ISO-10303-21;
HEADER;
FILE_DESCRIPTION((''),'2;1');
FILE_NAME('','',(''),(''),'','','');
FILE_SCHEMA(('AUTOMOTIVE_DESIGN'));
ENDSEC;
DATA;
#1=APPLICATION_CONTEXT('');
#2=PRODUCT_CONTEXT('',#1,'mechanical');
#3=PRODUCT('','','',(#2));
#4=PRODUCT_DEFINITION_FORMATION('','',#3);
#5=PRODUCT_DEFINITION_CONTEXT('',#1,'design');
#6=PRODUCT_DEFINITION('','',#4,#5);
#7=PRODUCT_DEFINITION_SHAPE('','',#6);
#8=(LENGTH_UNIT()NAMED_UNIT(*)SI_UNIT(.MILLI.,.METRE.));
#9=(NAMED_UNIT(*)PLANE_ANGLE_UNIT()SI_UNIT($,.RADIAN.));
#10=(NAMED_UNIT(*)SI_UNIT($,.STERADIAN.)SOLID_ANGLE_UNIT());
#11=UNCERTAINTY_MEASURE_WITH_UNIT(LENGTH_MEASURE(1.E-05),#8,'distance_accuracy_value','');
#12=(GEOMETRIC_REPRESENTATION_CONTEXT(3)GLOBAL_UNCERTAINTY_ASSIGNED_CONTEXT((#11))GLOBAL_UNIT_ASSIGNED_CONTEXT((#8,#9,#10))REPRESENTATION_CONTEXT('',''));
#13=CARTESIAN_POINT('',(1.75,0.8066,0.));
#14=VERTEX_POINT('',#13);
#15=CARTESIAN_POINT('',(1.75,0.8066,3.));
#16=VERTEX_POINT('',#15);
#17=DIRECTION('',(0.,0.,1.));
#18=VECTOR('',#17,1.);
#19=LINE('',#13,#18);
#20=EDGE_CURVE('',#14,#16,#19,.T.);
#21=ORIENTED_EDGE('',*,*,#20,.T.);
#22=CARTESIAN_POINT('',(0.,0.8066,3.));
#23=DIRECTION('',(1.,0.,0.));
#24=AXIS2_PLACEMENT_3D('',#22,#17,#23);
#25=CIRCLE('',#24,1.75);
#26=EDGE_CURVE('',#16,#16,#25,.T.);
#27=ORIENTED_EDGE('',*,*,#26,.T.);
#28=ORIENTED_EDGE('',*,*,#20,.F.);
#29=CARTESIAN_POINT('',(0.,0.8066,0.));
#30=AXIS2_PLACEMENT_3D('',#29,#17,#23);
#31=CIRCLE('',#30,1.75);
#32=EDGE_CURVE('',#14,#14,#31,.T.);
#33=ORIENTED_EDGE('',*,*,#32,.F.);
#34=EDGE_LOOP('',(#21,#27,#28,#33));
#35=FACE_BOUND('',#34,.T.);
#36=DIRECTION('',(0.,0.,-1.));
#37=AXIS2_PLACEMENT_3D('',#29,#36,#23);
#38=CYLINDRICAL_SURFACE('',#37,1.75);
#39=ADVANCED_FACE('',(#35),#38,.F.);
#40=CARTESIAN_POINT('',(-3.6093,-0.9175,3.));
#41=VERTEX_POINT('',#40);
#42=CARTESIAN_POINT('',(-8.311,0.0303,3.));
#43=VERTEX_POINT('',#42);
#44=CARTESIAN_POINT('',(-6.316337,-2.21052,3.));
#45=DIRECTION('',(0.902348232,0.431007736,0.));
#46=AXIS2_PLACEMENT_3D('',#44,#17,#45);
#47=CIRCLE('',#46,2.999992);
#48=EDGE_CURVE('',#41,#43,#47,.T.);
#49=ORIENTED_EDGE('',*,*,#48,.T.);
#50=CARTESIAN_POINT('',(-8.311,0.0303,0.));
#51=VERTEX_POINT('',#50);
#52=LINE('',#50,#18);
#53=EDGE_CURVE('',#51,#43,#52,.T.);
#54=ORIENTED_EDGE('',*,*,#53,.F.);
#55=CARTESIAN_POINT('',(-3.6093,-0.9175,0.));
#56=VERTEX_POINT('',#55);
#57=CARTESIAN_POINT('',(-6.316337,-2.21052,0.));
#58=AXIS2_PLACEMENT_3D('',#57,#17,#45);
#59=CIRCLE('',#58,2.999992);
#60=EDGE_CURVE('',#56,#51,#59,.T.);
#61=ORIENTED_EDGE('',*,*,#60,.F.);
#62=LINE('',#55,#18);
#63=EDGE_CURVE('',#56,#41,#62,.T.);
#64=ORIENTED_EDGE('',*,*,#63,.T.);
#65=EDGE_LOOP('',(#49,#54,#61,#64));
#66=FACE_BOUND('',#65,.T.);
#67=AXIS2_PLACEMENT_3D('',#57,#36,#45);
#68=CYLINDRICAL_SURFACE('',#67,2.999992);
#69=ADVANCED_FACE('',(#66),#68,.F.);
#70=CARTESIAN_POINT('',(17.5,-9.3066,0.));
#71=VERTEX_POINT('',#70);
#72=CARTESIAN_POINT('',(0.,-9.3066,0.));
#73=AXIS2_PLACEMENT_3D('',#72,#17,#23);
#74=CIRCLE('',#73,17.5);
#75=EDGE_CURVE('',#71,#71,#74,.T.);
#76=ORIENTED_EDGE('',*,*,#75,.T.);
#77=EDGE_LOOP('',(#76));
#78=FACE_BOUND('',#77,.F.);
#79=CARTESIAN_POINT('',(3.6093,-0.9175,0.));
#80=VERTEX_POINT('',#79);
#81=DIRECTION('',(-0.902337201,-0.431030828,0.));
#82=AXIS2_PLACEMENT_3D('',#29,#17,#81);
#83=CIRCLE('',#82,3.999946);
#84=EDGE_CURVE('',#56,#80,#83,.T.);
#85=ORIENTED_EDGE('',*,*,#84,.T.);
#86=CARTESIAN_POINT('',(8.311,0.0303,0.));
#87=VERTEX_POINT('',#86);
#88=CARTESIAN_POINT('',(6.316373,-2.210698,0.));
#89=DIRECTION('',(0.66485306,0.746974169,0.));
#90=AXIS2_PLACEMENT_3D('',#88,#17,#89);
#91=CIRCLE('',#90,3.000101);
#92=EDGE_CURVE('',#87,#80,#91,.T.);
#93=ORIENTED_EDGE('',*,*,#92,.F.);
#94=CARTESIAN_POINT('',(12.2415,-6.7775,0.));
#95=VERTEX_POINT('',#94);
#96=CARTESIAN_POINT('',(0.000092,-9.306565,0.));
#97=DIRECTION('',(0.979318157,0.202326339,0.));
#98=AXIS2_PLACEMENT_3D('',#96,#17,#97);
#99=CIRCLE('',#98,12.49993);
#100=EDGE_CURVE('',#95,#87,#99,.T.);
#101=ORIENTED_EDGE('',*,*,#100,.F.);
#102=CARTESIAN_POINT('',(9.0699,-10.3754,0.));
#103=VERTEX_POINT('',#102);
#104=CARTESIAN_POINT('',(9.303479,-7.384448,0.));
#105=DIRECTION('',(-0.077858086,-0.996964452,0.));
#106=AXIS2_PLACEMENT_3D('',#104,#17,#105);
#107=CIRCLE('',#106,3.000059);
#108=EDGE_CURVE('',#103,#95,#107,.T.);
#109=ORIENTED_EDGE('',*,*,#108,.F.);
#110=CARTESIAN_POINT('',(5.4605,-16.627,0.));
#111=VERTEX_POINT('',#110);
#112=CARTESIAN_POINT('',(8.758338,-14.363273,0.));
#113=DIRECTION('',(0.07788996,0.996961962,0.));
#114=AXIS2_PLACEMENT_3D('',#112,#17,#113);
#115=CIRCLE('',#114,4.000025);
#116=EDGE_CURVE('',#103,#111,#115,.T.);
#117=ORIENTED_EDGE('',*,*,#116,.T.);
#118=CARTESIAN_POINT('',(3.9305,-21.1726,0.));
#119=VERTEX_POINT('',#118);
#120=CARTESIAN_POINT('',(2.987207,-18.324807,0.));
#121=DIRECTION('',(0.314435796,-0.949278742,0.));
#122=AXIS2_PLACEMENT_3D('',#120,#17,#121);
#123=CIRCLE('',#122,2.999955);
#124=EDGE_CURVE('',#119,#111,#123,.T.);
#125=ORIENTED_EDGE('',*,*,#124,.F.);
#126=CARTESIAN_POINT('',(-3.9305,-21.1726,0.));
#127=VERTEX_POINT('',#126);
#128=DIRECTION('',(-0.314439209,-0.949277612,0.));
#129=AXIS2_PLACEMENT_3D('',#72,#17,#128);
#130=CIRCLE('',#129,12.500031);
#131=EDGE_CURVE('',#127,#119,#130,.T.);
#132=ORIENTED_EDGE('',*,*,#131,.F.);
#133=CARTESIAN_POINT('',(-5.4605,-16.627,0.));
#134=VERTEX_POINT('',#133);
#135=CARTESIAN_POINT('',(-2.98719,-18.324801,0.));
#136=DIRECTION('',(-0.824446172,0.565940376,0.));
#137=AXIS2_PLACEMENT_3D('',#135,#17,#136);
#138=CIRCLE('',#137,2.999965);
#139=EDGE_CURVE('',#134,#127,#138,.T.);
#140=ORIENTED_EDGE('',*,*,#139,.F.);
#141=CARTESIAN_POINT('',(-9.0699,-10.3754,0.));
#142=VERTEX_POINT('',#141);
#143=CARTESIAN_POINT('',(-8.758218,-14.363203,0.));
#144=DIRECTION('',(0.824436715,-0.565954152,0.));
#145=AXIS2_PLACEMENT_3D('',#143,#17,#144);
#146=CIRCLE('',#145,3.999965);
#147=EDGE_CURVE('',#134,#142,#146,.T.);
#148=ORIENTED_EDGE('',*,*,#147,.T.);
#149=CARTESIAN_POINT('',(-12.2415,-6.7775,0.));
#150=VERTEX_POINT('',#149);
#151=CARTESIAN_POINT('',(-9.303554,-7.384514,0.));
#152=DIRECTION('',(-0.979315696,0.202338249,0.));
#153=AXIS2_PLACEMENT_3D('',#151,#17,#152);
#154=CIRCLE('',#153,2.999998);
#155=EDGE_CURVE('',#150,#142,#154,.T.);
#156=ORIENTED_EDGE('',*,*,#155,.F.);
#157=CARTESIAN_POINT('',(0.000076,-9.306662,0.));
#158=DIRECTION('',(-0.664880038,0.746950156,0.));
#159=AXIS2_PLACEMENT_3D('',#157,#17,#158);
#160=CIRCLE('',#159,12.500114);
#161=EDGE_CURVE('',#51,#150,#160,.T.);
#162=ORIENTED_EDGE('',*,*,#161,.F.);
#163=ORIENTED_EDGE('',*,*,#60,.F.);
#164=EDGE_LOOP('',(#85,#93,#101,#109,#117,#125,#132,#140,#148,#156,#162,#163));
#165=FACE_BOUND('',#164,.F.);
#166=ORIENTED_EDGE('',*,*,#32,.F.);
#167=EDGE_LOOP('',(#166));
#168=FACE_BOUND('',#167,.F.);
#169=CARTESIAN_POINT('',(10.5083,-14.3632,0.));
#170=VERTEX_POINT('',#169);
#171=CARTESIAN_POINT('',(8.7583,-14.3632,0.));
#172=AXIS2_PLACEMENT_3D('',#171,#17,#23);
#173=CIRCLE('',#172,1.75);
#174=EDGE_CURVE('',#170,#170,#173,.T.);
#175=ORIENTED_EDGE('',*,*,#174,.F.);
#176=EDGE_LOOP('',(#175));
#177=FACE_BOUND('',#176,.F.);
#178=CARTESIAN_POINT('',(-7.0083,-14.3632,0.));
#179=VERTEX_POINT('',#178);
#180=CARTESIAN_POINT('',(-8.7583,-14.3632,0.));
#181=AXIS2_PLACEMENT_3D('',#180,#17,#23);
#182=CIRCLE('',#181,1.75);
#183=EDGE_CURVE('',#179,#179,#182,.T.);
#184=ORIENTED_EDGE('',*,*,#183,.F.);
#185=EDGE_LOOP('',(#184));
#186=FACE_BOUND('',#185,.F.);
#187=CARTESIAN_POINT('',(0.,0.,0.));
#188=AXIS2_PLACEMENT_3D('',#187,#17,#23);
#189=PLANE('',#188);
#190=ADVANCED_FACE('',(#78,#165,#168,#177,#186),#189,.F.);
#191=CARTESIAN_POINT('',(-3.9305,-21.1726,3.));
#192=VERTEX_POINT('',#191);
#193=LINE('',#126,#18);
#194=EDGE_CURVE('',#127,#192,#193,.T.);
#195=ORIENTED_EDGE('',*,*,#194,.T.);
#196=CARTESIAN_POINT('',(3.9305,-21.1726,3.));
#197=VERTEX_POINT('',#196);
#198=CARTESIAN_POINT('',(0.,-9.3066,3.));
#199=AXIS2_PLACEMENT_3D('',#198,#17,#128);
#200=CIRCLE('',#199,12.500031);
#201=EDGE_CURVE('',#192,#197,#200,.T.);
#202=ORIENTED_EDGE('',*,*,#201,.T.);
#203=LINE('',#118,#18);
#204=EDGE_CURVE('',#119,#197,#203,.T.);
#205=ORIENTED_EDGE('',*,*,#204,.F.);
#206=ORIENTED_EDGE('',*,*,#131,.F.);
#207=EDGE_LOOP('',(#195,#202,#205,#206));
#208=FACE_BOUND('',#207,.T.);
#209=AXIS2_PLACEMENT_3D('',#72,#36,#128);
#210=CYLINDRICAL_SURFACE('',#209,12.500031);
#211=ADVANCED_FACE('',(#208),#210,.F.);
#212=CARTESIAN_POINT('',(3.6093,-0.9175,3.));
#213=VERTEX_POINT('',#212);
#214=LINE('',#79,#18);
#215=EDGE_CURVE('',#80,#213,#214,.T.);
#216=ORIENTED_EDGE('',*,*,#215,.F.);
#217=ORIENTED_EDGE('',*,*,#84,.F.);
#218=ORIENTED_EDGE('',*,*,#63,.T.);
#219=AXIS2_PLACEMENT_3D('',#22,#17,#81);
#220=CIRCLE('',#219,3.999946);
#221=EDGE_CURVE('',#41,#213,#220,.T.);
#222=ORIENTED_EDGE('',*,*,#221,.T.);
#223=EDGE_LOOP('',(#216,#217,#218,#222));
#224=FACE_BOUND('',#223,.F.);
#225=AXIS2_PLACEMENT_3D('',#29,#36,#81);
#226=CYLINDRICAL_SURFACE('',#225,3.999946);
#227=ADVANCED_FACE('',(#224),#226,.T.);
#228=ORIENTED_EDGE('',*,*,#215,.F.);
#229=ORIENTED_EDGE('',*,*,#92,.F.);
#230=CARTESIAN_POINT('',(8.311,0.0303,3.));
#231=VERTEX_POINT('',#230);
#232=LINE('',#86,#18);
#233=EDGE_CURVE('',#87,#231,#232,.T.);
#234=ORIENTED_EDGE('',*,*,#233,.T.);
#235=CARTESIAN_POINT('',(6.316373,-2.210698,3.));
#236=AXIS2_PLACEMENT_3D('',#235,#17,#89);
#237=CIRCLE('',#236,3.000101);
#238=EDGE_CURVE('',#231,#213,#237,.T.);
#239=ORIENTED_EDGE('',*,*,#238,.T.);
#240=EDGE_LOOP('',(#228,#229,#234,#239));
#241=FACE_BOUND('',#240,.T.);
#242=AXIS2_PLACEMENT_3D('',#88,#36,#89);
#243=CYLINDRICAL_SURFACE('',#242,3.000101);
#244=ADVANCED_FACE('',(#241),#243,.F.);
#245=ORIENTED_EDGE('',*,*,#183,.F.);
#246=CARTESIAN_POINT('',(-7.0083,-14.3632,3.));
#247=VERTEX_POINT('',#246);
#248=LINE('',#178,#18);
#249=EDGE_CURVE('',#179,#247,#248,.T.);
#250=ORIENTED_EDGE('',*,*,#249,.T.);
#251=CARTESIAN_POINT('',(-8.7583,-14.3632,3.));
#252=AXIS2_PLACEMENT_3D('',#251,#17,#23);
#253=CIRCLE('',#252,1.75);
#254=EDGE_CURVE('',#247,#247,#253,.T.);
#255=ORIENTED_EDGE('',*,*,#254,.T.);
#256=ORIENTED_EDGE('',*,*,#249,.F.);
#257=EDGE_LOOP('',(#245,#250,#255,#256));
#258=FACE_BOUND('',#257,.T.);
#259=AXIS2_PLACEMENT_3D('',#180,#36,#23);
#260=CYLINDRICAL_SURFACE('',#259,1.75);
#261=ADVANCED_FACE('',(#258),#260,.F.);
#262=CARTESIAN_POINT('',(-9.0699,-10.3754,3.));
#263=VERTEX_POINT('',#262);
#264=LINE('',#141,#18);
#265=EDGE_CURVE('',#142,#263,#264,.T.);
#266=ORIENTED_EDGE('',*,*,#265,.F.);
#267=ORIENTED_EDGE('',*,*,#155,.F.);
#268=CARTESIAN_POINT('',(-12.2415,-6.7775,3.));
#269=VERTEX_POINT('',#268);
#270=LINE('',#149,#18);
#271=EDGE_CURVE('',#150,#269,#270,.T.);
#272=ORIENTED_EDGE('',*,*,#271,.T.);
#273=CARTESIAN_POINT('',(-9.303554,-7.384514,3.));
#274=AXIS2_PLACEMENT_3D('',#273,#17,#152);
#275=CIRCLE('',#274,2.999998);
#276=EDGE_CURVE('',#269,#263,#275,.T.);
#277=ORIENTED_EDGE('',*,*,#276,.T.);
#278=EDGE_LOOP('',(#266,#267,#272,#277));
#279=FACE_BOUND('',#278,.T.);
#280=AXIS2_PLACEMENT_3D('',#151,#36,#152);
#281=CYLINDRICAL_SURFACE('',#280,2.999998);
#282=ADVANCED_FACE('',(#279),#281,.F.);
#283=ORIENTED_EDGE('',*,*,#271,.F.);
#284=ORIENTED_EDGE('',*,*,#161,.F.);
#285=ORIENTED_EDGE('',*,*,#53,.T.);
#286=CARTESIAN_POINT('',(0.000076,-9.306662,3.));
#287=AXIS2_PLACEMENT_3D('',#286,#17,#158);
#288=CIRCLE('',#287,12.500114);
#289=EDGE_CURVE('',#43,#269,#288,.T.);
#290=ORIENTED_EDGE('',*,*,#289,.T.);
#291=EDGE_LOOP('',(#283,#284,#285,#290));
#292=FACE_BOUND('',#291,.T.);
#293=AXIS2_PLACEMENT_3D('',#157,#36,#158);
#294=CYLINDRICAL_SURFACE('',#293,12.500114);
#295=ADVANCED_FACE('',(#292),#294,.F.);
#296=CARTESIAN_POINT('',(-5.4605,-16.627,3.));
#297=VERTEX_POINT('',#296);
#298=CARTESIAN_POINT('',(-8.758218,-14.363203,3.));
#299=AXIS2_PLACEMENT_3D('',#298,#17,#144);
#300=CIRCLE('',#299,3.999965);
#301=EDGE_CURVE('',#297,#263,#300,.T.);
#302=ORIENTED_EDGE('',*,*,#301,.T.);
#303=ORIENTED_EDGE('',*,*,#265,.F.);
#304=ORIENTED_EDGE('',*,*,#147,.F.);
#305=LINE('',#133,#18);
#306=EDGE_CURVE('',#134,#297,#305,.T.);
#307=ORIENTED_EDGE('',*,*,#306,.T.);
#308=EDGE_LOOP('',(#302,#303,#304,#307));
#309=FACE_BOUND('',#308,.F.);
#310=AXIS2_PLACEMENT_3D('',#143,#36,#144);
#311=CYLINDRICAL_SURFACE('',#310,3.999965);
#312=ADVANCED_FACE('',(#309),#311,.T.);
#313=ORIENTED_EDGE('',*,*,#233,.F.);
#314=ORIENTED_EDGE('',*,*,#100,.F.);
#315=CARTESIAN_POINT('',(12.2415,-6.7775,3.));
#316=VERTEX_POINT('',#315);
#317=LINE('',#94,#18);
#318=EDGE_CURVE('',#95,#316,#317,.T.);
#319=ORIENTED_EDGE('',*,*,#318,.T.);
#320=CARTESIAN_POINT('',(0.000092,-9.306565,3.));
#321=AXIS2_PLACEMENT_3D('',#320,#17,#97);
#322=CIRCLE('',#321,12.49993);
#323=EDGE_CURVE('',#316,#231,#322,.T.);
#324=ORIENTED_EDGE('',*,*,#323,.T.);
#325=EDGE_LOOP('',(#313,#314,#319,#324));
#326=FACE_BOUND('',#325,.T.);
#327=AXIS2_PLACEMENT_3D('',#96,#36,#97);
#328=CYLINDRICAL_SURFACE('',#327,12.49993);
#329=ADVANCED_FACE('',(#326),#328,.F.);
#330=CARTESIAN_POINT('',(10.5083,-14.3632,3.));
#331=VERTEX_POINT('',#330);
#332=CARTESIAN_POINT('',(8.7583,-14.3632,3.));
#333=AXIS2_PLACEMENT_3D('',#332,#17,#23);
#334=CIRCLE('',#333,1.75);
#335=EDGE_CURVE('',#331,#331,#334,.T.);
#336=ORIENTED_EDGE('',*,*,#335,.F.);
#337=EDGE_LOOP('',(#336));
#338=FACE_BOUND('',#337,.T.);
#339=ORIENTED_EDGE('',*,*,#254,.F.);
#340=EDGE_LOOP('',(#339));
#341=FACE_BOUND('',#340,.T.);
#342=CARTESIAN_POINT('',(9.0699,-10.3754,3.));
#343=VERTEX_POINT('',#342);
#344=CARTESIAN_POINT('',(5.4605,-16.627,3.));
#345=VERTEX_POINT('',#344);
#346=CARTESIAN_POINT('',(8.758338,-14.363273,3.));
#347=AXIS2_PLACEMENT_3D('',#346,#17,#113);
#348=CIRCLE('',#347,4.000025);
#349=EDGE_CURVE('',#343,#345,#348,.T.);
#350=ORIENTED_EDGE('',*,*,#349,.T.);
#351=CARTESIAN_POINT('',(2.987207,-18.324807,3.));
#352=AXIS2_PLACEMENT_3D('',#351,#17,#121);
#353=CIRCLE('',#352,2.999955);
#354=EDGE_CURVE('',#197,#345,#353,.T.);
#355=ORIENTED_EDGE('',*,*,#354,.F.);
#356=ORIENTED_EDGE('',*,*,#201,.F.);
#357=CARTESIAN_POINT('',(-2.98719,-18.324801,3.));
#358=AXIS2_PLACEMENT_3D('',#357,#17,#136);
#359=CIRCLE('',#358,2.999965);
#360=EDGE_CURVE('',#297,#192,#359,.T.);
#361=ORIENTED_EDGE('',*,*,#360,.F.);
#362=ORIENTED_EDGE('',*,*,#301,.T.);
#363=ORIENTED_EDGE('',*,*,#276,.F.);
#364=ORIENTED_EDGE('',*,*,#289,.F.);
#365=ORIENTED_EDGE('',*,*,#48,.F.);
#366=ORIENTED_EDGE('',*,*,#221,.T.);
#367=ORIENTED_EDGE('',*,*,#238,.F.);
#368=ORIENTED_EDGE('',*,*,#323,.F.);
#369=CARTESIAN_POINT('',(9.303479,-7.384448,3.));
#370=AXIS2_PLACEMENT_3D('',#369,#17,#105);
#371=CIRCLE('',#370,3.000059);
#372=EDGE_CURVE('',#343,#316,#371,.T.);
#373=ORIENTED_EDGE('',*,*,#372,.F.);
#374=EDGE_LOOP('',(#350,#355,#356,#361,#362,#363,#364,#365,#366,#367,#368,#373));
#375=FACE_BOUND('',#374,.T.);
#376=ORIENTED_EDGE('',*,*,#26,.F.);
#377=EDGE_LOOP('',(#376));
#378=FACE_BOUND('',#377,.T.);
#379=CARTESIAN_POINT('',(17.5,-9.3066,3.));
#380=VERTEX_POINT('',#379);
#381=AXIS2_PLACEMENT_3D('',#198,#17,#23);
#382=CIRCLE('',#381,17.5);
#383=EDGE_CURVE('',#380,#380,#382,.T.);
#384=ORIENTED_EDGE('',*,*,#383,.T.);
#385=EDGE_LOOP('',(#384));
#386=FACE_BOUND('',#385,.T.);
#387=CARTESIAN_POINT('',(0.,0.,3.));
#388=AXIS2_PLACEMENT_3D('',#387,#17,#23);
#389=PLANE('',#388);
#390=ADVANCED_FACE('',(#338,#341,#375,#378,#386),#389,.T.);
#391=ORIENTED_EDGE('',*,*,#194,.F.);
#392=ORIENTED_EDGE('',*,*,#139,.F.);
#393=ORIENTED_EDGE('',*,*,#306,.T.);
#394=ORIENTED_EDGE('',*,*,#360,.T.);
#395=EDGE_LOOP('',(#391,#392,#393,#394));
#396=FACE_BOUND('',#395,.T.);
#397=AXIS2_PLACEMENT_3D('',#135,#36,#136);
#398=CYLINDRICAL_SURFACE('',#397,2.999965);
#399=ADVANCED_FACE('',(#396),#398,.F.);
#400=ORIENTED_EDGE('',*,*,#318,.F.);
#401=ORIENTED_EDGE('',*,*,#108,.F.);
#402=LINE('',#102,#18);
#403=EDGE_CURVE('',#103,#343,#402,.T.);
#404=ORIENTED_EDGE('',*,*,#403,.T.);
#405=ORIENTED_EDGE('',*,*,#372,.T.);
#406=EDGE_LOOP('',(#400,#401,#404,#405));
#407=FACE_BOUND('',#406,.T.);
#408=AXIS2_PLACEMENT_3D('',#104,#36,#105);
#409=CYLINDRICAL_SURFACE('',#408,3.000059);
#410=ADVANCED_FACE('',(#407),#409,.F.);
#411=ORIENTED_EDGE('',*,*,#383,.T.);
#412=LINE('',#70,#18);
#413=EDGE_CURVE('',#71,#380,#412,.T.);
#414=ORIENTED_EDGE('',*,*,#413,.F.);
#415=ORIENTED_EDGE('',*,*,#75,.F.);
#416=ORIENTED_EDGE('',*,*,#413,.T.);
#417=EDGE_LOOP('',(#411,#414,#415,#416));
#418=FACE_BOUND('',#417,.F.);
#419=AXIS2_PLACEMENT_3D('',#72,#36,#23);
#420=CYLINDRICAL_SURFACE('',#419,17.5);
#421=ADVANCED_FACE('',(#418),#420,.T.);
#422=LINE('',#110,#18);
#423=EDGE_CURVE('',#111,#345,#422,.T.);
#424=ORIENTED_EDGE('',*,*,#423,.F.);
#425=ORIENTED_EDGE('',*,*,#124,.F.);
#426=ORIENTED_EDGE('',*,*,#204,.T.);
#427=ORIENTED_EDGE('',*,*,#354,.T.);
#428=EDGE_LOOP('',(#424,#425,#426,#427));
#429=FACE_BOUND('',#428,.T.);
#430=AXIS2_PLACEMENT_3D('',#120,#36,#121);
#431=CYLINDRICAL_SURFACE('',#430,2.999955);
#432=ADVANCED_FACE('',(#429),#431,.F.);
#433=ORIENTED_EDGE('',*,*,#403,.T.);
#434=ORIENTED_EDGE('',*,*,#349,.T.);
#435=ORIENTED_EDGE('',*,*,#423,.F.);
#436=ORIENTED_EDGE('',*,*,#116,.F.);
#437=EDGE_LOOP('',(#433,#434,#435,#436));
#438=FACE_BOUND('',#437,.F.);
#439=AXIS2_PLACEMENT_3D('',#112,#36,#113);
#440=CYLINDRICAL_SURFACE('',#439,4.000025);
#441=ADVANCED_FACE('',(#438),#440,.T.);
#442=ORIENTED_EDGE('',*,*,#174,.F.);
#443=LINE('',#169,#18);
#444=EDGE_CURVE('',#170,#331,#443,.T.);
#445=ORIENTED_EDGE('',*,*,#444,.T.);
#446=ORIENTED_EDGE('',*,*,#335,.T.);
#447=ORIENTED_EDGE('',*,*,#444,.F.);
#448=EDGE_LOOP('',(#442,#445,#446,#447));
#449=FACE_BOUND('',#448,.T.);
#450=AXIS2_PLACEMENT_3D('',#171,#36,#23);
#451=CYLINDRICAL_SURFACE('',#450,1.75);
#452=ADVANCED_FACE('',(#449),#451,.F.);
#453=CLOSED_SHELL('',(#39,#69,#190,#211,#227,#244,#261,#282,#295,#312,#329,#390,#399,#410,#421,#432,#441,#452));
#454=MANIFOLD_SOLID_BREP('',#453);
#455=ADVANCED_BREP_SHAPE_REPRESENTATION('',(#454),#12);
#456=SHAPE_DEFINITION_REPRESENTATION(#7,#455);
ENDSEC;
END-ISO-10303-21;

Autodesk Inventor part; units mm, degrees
ref_plane "XZ Plane" through (0, 0, 0) normal (0, 1, 0) x (-1, 0, 0)
ref_plane "XY Plane" through (0, 0, 0) normal (0, 0, 1) x (1, 0, 0)
ref_plane "Work Plane1" through (0, 0, 0) normal (0, 0, 1) x (1, 0, 0)
sketch "Sketch1" plane through (0, 0, 0) normal (0, 0, 1) x (1, 0, 0)
  arc A0 (-3.6093, -0.9175) -> (-8.311, 0.0303) centre (-6.3164, -2.2106) ccw projected
  arc A1 (-3.6093, -0.9175) -> (3.6093, -0.9175) centre (0, 0.8066) ccw projected
  arc A2 (8.311, 0.0303) -> (3.6093, -0.9175) centre (6.3164, -2.2106) ccw projected
  arc A3 (12.2415, -6.7775) -> (8.311, 0.0303) centre (0, -9.3066) ccw projected
  arc A4 (9.0699, -10.3754) -> (12.2415, -6.7775) centre (9.3035, -7.3845) ccw projected
  arc A5 (9.0699, -10.3754) -> (5.4605, -16.627) centre (8.7583, -14.3632) ccw projected
  arc A6 (3.9305, -21.1726) -> (5.4605, -16.627) centre (2.9872, -18.3248) ccw projected
  arc A7 (-3.9305, -21.1726) -> (3.9305, -21.1726) centre (0, -9.3066) ccw projected
  arc A8 (-5.4605, -16.627) -> (-3.9305, -21.1726) centre (-2.9872, -18.3248) ccw projected
  arc A9 (-5.4605, -16.627) -> (-9.0699, -10.3754) centre (-8.7583, -14.3632) ccw projected
  arc A10 (-12.2415, -6.7775) -> (-9.0699, -10.3754) centre (-9.3035, -7.3845) ccw projected
  arc A11 (-8.311, 0.0303) -> (-12.2415, -6.7775) centre (0, -9.3066) ccw projected
  line L0 (-11.2583, -15.8066) -> (-8.7583, -17.25) projected
  line L1 (-11.2583, -12.9199) -> (-11.2583, -15.8066) projected
  line L2 (-8.7583, -11.4765) -> (-11.2583, -12.9199) projected
  line L3 (-6.2583, -12.9199) -> (-8.7583, -11.4765) projected
  line L4 (-6.2583, -15.8066) -> (-6.2583, -12.9199) projected
  line L5 (-8.7583, -17.25) -> (-6.2583, -15.8066) projected
  line L6 (11.2583, -15.8066) -> (11.2583, -12.9199) projected
  line L7 (8.7583, -17.25) -> (11.2583, -15.8066) projected
  line L8 (6.2583, -15.8066) -> (8.7583, -17.25) projected
  line L9 (6.2583, -12.9199) -> (6.2583, -15.8066) projected
  line L10 (8.7583, -11.4765) -> (6.2583, -12.9199) projected
  line L11 (11.2583, -12.9199) -> (8.7583, -11.4765) projected
  circle A12 centre (0, -9.3066) radius 17.5 projected
  line L12 (0, 3.6934) -> (-2.5, 2.25) projected
  line L13 (2.5, 2.25) -> (0, 3.6934) projected
  line L14 (2.5, -0.6368) -> (2.5, 2.25) projected
  line L15 (0, -2.0801) -> (2.5, -0.6368) projected
  line L16 (-2.5, -0.6368) -> (0, -2.0801) projected
  line L17 (-2.5, 2.25) -> (-2.5, -0.6368) projected
  circle A13 centre (-8.7583, -14.3632) radius 1.75
  circle A14 centre (8.7583, -14.3632) radius 1.75
  circle A15 centre (0, 0.8066) radius 1.75
  point P0 (0, 0)
  dimension "d2" = 3.5
  dimension "d3" = 3.5
  dimension "d4" = 3.5
extrude "Extrusion1" add sketch "Sketch1" along normal blind 3 contours L1 L2 L3 L4 L5 L0 | L7 L8 L9 L10 L11 L6 | A12 | L13 L14 L15 L16 L17 L12
properties part number "socket_extension"
